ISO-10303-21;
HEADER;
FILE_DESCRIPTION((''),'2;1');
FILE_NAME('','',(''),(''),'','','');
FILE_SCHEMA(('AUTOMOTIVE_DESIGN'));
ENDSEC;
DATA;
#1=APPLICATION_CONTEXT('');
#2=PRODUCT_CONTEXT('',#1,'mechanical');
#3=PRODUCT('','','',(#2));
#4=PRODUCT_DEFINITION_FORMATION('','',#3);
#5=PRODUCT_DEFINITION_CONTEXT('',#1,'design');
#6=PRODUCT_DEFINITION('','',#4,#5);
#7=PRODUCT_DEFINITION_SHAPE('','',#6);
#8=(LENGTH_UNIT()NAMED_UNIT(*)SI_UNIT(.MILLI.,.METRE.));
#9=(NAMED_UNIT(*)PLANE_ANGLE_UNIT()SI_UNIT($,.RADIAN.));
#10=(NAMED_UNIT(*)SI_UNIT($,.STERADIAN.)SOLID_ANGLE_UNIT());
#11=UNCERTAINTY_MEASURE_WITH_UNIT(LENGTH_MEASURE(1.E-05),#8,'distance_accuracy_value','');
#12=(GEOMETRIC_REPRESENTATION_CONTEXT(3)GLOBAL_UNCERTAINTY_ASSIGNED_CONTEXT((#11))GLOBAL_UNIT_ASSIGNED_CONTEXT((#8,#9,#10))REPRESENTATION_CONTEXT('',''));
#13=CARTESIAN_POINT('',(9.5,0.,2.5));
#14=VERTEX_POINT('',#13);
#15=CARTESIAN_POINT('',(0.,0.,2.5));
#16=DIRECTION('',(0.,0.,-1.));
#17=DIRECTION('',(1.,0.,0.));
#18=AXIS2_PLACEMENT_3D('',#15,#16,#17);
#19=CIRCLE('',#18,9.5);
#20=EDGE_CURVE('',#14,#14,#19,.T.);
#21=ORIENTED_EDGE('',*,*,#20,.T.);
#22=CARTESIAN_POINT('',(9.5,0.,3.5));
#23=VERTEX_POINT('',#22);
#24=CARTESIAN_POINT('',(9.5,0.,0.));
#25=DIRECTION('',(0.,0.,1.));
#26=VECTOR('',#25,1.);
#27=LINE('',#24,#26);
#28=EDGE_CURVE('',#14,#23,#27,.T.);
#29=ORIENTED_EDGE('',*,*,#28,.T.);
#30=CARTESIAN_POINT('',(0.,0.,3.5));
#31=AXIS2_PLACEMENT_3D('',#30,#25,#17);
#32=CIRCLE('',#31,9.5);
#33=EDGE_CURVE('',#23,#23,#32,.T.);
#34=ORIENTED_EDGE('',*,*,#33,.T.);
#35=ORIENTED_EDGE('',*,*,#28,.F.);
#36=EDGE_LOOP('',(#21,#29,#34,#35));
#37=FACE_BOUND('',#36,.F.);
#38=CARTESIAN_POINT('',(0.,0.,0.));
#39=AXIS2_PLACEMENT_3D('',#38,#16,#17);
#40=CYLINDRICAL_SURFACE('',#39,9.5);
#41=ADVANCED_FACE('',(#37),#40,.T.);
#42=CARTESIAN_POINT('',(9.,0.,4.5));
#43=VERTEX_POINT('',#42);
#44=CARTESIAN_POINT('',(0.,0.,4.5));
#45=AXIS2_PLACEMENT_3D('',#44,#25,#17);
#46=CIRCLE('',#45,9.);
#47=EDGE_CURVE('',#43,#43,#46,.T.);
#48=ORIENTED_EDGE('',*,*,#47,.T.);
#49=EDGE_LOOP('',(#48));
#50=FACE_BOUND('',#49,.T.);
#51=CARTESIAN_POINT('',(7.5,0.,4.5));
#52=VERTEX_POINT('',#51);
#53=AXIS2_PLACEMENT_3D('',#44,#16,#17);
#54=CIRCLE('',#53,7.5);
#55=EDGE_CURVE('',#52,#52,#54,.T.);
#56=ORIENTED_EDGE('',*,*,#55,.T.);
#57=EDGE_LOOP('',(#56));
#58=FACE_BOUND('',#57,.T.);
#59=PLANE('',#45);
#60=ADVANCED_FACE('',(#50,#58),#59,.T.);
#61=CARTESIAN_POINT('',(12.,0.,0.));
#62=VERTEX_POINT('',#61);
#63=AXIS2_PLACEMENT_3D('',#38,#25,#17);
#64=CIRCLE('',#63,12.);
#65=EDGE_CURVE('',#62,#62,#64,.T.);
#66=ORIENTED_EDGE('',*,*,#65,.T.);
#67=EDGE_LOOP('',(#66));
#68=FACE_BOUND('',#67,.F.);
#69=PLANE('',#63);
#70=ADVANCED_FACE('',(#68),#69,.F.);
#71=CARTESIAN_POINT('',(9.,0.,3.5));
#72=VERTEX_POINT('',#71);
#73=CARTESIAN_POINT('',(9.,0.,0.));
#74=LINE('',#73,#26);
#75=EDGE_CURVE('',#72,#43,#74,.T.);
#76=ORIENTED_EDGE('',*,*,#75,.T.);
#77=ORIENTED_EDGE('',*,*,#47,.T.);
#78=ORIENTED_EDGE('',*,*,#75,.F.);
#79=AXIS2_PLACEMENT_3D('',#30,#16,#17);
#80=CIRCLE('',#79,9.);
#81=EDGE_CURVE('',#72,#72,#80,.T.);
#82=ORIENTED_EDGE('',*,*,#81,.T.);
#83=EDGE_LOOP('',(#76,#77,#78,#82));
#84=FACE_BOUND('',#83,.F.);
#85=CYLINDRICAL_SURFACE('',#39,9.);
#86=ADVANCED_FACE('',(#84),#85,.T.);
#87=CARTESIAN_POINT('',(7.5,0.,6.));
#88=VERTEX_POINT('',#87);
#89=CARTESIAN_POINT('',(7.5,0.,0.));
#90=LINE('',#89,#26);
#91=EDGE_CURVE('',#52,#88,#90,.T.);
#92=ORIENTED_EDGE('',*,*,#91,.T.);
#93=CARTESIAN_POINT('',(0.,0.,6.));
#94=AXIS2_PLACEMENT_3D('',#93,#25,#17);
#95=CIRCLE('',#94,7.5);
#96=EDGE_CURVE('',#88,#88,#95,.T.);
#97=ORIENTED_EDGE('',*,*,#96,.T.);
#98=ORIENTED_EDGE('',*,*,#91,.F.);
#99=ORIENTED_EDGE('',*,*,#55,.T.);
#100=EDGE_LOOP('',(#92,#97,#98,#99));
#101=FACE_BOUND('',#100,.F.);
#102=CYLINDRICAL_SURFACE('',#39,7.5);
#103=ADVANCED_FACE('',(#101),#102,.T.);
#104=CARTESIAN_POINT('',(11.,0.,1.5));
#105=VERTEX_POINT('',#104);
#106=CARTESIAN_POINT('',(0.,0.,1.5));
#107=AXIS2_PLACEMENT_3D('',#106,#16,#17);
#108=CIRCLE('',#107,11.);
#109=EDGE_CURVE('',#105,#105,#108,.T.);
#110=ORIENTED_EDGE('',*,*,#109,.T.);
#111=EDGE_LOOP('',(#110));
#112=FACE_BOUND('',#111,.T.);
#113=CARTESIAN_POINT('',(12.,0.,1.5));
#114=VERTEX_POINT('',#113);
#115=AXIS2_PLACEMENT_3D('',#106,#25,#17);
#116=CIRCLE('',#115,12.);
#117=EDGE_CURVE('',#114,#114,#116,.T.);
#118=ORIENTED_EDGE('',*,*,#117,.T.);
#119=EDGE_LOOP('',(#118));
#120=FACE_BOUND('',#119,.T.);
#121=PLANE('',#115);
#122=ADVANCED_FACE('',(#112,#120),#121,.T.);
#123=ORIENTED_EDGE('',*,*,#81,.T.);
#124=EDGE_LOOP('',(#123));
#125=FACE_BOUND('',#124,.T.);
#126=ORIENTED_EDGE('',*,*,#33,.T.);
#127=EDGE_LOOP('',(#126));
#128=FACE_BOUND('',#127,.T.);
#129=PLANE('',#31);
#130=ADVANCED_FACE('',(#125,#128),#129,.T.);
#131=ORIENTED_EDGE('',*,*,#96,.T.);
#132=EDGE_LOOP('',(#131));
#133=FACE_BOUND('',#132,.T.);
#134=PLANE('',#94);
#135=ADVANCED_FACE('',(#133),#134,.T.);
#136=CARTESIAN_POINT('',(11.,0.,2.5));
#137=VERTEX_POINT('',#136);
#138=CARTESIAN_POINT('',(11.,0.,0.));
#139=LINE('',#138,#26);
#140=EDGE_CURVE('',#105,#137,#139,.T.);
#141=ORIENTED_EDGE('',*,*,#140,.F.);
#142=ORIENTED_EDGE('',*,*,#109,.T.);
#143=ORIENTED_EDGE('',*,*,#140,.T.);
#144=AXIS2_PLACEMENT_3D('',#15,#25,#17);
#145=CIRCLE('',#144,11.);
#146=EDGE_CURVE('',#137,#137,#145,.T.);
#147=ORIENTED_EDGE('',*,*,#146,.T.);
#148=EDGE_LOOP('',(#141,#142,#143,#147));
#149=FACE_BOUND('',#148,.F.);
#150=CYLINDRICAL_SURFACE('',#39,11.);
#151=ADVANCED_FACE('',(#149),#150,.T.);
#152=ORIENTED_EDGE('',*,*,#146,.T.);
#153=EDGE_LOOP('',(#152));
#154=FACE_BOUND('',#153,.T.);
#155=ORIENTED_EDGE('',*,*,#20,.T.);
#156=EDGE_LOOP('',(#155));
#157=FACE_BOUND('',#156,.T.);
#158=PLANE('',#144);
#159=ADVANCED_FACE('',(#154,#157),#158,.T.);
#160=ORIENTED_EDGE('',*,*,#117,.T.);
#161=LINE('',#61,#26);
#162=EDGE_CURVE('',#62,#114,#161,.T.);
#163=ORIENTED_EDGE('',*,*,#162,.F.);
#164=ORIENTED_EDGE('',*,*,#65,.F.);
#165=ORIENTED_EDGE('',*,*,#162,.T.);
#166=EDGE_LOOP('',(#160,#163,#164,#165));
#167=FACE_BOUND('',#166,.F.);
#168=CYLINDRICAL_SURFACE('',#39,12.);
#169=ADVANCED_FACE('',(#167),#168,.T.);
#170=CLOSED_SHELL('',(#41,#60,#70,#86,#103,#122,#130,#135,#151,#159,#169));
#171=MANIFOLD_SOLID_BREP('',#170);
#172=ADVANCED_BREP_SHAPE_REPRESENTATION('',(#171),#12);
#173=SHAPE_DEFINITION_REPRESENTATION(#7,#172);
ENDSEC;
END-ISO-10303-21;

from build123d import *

# Parameters (mm, degrees)
SKETCH001_R      = 9
EXTRUDE001_DEPTH = 4.5
SKETCH002_R      = 9.5
EXTRUDE002_DEPTH = 3.5
SKETCH003_R      = 11
EXTRUDE003_DEPTH = 2.5
SKETCH004_R      = 12
EXTRUDE004_DEPTH = 1.5
SKETCH_R         = 7.5
EXTRUDE_DEPTH    = 6


with BuildPart() as extrude001:
    # Sketch001 → Extrude001 (new body)
    with BuildSketch(Plane.XY):
        Circle(SKETCH001_R)
    extrude(amount=EXTRUDE001_DEPTH)


with BuildPart() as extrude002:
    # Sketch002 → Extrude002 (new body)
    with BuildSketch(Plane.XY):
        Circle(SKETCH002_R)
    extrude(amount=EXTRUDE002_DEPTH)


with BuildPart() as extrude003:
    # Sketch003 → Extrude003 (new body)
    with BuildSketch(Plane.XY):
        Circle(SKETCH003_R)
    extrude(amount=EXTRUDE003_DEPTH)


with BuildPart() as extrude004:
    # Sketch004 → Extrude004 (new body)
    with BuildSketch(Plane.XY):
        Circle(SKETCH004_R)
    extrude(amount=EXTRUDE004_DEPTH)


with BuildPart() as fusion:
    # Sketch → Extrude (new body)
    with BuildSketch(Plane.XY):
        Circle(SKETCH_R)
    extrude(amount=EXTRUDE_DEPTH)

    # Fusion: union Extrude001, Extrude002, Extrude003, Extrude004
    add(extrude001.part)
    add(extrude002.part)
    add(extrude003.part)
    add(extrude004.part)


solid = fusion.part
